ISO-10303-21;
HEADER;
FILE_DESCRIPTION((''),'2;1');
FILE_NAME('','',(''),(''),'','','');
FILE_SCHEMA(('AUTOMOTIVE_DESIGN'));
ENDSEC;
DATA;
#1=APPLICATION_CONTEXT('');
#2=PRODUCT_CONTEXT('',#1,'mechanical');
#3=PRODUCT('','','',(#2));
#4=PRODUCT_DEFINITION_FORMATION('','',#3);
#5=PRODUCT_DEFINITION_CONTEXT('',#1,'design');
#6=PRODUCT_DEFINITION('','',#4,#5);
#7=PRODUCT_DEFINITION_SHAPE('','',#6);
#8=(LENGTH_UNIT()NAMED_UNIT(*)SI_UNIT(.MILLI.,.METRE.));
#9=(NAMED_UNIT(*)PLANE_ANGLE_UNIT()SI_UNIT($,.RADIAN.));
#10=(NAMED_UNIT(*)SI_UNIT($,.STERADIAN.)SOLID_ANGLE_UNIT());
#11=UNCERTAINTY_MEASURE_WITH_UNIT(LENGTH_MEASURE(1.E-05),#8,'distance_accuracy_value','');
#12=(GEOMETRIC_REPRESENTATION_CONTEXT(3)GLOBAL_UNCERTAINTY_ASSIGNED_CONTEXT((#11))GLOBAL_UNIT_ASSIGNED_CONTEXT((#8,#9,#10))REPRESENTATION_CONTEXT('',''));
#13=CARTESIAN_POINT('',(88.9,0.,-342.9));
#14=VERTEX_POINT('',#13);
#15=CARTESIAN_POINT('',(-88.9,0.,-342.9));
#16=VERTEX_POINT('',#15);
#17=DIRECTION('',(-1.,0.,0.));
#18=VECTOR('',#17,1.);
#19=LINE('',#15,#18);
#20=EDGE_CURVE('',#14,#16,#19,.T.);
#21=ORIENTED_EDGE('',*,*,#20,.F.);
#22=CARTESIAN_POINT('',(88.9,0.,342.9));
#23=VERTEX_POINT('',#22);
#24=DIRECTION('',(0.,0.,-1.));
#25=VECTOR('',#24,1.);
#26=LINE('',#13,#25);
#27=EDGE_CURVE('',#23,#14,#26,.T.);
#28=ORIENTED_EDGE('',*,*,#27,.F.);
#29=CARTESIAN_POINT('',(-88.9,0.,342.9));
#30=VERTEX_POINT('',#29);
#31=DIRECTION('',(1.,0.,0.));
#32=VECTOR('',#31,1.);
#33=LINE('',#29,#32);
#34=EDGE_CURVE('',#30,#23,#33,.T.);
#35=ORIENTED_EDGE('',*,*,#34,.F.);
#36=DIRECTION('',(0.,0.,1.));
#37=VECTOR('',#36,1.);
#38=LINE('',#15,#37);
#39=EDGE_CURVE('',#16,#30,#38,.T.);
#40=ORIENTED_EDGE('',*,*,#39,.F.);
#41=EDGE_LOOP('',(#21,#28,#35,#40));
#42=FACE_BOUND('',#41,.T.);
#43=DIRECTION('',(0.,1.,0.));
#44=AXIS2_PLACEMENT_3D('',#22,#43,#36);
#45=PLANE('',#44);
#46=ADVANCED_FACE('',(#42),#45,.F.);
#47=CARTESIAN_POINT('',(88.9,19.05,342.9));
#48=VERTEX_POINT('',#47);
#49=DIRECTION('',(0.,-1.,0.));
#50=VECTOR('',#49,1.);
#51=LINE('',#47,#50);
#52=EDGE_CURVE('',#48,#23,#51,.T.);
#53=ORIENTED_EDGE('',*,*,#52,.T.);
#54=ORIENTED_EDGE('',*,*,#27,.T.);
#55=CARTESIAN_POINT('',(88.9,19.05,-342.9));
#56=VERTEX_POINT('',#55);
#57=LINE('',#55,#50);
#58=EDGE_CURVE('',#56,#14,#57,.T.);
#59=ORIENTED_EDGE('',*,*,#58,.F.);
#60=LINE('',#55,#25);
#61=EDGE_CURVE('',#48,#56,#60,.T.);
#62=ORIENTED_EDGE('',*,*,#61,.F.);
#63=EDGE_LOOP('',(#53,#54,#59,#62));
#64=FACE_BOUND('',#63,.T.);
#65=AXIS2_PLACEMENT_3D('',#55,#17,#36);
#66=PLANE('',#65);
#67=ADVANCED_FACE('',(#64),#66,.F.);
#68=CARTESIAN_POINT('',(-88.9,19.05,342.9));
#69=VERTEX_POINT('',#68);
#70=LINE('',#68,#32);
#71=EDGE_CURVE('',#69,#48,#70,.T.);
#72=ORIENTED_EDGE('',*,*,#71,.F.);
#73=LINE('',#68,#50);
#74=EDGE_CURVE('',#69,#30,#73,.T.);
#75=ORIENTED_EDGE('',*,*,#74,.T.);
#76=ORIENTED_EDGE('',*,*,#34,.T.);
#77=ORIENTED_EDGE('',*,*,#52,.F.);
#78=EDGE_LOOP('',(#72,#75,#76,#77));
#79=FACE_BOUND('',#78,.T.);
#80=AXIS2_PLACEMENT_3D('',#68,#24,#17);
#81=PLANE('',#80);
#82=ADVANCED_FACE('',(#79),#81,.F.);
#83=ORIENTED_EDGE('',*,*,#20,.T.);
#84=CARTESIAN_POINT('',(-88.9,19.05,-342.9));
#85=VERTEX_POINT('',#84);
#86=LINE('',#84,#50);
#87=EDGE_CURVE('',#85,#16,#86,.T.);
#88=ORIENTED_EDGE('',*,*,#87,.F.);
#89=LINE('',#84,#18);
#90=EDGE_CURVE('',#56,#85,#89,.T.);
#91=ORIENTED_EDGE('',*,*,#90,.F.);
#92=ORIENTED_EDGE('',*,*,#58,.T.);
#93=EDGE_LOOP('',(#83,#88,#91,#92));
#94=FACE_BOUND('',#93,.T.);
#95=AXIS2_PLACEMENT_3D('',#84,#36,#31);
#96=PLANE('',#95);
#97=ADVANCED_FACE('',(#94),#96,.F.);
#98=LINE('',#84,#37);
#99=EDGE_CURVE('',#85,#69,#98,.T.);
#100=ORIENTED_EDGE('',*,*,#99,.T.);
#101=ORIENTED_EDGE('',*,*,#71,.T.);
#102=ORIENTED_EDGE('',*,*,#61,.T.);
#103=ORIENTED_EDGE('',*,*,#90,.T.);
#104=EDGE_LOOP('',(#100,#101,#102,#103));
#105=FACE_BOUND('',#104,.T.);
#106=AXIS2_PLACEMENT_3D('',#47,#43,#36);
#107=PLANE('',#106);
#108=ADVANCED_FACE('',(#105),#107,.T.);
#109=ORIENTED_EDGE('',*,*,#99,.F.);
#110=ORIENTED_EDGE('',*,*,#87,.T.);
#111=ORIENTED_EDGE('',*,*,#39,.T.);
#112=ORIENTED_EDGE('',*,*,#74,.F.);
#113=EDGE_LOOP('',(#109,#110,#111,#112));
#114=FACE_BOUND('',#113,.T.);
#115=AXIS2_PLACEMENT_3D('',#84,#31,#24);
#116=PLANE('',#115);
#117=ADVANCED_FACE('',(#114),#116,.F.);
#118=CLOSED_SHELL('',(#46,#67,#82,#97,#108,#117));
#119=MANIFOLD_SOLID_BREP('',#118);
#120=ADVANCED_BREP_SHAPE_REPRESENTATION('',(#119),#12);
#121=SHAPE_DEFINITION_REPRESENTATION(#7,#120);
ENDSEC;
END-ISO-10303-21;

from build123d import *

# Parameters (mm, degrees)
SKETCH1_W           = 177.8
SKETCH1_H           = 685.8
BOSS_EXTRUDE1_DEPTH = 19.05


with BuildPart() as part:
    # Sketch1 → Boss-Extrude1 (new body)
    with BuildSketch(Plane(origin=(0, 0, 0), x_dir=(1, 0, 0), z_dir=(0, 1, 0))):
        Rectangle(SKETCH1_W, SKETCH1_H)
    extrude(amount=BOSS_EXTRUDE1_DEPTH)


solid = part.part
